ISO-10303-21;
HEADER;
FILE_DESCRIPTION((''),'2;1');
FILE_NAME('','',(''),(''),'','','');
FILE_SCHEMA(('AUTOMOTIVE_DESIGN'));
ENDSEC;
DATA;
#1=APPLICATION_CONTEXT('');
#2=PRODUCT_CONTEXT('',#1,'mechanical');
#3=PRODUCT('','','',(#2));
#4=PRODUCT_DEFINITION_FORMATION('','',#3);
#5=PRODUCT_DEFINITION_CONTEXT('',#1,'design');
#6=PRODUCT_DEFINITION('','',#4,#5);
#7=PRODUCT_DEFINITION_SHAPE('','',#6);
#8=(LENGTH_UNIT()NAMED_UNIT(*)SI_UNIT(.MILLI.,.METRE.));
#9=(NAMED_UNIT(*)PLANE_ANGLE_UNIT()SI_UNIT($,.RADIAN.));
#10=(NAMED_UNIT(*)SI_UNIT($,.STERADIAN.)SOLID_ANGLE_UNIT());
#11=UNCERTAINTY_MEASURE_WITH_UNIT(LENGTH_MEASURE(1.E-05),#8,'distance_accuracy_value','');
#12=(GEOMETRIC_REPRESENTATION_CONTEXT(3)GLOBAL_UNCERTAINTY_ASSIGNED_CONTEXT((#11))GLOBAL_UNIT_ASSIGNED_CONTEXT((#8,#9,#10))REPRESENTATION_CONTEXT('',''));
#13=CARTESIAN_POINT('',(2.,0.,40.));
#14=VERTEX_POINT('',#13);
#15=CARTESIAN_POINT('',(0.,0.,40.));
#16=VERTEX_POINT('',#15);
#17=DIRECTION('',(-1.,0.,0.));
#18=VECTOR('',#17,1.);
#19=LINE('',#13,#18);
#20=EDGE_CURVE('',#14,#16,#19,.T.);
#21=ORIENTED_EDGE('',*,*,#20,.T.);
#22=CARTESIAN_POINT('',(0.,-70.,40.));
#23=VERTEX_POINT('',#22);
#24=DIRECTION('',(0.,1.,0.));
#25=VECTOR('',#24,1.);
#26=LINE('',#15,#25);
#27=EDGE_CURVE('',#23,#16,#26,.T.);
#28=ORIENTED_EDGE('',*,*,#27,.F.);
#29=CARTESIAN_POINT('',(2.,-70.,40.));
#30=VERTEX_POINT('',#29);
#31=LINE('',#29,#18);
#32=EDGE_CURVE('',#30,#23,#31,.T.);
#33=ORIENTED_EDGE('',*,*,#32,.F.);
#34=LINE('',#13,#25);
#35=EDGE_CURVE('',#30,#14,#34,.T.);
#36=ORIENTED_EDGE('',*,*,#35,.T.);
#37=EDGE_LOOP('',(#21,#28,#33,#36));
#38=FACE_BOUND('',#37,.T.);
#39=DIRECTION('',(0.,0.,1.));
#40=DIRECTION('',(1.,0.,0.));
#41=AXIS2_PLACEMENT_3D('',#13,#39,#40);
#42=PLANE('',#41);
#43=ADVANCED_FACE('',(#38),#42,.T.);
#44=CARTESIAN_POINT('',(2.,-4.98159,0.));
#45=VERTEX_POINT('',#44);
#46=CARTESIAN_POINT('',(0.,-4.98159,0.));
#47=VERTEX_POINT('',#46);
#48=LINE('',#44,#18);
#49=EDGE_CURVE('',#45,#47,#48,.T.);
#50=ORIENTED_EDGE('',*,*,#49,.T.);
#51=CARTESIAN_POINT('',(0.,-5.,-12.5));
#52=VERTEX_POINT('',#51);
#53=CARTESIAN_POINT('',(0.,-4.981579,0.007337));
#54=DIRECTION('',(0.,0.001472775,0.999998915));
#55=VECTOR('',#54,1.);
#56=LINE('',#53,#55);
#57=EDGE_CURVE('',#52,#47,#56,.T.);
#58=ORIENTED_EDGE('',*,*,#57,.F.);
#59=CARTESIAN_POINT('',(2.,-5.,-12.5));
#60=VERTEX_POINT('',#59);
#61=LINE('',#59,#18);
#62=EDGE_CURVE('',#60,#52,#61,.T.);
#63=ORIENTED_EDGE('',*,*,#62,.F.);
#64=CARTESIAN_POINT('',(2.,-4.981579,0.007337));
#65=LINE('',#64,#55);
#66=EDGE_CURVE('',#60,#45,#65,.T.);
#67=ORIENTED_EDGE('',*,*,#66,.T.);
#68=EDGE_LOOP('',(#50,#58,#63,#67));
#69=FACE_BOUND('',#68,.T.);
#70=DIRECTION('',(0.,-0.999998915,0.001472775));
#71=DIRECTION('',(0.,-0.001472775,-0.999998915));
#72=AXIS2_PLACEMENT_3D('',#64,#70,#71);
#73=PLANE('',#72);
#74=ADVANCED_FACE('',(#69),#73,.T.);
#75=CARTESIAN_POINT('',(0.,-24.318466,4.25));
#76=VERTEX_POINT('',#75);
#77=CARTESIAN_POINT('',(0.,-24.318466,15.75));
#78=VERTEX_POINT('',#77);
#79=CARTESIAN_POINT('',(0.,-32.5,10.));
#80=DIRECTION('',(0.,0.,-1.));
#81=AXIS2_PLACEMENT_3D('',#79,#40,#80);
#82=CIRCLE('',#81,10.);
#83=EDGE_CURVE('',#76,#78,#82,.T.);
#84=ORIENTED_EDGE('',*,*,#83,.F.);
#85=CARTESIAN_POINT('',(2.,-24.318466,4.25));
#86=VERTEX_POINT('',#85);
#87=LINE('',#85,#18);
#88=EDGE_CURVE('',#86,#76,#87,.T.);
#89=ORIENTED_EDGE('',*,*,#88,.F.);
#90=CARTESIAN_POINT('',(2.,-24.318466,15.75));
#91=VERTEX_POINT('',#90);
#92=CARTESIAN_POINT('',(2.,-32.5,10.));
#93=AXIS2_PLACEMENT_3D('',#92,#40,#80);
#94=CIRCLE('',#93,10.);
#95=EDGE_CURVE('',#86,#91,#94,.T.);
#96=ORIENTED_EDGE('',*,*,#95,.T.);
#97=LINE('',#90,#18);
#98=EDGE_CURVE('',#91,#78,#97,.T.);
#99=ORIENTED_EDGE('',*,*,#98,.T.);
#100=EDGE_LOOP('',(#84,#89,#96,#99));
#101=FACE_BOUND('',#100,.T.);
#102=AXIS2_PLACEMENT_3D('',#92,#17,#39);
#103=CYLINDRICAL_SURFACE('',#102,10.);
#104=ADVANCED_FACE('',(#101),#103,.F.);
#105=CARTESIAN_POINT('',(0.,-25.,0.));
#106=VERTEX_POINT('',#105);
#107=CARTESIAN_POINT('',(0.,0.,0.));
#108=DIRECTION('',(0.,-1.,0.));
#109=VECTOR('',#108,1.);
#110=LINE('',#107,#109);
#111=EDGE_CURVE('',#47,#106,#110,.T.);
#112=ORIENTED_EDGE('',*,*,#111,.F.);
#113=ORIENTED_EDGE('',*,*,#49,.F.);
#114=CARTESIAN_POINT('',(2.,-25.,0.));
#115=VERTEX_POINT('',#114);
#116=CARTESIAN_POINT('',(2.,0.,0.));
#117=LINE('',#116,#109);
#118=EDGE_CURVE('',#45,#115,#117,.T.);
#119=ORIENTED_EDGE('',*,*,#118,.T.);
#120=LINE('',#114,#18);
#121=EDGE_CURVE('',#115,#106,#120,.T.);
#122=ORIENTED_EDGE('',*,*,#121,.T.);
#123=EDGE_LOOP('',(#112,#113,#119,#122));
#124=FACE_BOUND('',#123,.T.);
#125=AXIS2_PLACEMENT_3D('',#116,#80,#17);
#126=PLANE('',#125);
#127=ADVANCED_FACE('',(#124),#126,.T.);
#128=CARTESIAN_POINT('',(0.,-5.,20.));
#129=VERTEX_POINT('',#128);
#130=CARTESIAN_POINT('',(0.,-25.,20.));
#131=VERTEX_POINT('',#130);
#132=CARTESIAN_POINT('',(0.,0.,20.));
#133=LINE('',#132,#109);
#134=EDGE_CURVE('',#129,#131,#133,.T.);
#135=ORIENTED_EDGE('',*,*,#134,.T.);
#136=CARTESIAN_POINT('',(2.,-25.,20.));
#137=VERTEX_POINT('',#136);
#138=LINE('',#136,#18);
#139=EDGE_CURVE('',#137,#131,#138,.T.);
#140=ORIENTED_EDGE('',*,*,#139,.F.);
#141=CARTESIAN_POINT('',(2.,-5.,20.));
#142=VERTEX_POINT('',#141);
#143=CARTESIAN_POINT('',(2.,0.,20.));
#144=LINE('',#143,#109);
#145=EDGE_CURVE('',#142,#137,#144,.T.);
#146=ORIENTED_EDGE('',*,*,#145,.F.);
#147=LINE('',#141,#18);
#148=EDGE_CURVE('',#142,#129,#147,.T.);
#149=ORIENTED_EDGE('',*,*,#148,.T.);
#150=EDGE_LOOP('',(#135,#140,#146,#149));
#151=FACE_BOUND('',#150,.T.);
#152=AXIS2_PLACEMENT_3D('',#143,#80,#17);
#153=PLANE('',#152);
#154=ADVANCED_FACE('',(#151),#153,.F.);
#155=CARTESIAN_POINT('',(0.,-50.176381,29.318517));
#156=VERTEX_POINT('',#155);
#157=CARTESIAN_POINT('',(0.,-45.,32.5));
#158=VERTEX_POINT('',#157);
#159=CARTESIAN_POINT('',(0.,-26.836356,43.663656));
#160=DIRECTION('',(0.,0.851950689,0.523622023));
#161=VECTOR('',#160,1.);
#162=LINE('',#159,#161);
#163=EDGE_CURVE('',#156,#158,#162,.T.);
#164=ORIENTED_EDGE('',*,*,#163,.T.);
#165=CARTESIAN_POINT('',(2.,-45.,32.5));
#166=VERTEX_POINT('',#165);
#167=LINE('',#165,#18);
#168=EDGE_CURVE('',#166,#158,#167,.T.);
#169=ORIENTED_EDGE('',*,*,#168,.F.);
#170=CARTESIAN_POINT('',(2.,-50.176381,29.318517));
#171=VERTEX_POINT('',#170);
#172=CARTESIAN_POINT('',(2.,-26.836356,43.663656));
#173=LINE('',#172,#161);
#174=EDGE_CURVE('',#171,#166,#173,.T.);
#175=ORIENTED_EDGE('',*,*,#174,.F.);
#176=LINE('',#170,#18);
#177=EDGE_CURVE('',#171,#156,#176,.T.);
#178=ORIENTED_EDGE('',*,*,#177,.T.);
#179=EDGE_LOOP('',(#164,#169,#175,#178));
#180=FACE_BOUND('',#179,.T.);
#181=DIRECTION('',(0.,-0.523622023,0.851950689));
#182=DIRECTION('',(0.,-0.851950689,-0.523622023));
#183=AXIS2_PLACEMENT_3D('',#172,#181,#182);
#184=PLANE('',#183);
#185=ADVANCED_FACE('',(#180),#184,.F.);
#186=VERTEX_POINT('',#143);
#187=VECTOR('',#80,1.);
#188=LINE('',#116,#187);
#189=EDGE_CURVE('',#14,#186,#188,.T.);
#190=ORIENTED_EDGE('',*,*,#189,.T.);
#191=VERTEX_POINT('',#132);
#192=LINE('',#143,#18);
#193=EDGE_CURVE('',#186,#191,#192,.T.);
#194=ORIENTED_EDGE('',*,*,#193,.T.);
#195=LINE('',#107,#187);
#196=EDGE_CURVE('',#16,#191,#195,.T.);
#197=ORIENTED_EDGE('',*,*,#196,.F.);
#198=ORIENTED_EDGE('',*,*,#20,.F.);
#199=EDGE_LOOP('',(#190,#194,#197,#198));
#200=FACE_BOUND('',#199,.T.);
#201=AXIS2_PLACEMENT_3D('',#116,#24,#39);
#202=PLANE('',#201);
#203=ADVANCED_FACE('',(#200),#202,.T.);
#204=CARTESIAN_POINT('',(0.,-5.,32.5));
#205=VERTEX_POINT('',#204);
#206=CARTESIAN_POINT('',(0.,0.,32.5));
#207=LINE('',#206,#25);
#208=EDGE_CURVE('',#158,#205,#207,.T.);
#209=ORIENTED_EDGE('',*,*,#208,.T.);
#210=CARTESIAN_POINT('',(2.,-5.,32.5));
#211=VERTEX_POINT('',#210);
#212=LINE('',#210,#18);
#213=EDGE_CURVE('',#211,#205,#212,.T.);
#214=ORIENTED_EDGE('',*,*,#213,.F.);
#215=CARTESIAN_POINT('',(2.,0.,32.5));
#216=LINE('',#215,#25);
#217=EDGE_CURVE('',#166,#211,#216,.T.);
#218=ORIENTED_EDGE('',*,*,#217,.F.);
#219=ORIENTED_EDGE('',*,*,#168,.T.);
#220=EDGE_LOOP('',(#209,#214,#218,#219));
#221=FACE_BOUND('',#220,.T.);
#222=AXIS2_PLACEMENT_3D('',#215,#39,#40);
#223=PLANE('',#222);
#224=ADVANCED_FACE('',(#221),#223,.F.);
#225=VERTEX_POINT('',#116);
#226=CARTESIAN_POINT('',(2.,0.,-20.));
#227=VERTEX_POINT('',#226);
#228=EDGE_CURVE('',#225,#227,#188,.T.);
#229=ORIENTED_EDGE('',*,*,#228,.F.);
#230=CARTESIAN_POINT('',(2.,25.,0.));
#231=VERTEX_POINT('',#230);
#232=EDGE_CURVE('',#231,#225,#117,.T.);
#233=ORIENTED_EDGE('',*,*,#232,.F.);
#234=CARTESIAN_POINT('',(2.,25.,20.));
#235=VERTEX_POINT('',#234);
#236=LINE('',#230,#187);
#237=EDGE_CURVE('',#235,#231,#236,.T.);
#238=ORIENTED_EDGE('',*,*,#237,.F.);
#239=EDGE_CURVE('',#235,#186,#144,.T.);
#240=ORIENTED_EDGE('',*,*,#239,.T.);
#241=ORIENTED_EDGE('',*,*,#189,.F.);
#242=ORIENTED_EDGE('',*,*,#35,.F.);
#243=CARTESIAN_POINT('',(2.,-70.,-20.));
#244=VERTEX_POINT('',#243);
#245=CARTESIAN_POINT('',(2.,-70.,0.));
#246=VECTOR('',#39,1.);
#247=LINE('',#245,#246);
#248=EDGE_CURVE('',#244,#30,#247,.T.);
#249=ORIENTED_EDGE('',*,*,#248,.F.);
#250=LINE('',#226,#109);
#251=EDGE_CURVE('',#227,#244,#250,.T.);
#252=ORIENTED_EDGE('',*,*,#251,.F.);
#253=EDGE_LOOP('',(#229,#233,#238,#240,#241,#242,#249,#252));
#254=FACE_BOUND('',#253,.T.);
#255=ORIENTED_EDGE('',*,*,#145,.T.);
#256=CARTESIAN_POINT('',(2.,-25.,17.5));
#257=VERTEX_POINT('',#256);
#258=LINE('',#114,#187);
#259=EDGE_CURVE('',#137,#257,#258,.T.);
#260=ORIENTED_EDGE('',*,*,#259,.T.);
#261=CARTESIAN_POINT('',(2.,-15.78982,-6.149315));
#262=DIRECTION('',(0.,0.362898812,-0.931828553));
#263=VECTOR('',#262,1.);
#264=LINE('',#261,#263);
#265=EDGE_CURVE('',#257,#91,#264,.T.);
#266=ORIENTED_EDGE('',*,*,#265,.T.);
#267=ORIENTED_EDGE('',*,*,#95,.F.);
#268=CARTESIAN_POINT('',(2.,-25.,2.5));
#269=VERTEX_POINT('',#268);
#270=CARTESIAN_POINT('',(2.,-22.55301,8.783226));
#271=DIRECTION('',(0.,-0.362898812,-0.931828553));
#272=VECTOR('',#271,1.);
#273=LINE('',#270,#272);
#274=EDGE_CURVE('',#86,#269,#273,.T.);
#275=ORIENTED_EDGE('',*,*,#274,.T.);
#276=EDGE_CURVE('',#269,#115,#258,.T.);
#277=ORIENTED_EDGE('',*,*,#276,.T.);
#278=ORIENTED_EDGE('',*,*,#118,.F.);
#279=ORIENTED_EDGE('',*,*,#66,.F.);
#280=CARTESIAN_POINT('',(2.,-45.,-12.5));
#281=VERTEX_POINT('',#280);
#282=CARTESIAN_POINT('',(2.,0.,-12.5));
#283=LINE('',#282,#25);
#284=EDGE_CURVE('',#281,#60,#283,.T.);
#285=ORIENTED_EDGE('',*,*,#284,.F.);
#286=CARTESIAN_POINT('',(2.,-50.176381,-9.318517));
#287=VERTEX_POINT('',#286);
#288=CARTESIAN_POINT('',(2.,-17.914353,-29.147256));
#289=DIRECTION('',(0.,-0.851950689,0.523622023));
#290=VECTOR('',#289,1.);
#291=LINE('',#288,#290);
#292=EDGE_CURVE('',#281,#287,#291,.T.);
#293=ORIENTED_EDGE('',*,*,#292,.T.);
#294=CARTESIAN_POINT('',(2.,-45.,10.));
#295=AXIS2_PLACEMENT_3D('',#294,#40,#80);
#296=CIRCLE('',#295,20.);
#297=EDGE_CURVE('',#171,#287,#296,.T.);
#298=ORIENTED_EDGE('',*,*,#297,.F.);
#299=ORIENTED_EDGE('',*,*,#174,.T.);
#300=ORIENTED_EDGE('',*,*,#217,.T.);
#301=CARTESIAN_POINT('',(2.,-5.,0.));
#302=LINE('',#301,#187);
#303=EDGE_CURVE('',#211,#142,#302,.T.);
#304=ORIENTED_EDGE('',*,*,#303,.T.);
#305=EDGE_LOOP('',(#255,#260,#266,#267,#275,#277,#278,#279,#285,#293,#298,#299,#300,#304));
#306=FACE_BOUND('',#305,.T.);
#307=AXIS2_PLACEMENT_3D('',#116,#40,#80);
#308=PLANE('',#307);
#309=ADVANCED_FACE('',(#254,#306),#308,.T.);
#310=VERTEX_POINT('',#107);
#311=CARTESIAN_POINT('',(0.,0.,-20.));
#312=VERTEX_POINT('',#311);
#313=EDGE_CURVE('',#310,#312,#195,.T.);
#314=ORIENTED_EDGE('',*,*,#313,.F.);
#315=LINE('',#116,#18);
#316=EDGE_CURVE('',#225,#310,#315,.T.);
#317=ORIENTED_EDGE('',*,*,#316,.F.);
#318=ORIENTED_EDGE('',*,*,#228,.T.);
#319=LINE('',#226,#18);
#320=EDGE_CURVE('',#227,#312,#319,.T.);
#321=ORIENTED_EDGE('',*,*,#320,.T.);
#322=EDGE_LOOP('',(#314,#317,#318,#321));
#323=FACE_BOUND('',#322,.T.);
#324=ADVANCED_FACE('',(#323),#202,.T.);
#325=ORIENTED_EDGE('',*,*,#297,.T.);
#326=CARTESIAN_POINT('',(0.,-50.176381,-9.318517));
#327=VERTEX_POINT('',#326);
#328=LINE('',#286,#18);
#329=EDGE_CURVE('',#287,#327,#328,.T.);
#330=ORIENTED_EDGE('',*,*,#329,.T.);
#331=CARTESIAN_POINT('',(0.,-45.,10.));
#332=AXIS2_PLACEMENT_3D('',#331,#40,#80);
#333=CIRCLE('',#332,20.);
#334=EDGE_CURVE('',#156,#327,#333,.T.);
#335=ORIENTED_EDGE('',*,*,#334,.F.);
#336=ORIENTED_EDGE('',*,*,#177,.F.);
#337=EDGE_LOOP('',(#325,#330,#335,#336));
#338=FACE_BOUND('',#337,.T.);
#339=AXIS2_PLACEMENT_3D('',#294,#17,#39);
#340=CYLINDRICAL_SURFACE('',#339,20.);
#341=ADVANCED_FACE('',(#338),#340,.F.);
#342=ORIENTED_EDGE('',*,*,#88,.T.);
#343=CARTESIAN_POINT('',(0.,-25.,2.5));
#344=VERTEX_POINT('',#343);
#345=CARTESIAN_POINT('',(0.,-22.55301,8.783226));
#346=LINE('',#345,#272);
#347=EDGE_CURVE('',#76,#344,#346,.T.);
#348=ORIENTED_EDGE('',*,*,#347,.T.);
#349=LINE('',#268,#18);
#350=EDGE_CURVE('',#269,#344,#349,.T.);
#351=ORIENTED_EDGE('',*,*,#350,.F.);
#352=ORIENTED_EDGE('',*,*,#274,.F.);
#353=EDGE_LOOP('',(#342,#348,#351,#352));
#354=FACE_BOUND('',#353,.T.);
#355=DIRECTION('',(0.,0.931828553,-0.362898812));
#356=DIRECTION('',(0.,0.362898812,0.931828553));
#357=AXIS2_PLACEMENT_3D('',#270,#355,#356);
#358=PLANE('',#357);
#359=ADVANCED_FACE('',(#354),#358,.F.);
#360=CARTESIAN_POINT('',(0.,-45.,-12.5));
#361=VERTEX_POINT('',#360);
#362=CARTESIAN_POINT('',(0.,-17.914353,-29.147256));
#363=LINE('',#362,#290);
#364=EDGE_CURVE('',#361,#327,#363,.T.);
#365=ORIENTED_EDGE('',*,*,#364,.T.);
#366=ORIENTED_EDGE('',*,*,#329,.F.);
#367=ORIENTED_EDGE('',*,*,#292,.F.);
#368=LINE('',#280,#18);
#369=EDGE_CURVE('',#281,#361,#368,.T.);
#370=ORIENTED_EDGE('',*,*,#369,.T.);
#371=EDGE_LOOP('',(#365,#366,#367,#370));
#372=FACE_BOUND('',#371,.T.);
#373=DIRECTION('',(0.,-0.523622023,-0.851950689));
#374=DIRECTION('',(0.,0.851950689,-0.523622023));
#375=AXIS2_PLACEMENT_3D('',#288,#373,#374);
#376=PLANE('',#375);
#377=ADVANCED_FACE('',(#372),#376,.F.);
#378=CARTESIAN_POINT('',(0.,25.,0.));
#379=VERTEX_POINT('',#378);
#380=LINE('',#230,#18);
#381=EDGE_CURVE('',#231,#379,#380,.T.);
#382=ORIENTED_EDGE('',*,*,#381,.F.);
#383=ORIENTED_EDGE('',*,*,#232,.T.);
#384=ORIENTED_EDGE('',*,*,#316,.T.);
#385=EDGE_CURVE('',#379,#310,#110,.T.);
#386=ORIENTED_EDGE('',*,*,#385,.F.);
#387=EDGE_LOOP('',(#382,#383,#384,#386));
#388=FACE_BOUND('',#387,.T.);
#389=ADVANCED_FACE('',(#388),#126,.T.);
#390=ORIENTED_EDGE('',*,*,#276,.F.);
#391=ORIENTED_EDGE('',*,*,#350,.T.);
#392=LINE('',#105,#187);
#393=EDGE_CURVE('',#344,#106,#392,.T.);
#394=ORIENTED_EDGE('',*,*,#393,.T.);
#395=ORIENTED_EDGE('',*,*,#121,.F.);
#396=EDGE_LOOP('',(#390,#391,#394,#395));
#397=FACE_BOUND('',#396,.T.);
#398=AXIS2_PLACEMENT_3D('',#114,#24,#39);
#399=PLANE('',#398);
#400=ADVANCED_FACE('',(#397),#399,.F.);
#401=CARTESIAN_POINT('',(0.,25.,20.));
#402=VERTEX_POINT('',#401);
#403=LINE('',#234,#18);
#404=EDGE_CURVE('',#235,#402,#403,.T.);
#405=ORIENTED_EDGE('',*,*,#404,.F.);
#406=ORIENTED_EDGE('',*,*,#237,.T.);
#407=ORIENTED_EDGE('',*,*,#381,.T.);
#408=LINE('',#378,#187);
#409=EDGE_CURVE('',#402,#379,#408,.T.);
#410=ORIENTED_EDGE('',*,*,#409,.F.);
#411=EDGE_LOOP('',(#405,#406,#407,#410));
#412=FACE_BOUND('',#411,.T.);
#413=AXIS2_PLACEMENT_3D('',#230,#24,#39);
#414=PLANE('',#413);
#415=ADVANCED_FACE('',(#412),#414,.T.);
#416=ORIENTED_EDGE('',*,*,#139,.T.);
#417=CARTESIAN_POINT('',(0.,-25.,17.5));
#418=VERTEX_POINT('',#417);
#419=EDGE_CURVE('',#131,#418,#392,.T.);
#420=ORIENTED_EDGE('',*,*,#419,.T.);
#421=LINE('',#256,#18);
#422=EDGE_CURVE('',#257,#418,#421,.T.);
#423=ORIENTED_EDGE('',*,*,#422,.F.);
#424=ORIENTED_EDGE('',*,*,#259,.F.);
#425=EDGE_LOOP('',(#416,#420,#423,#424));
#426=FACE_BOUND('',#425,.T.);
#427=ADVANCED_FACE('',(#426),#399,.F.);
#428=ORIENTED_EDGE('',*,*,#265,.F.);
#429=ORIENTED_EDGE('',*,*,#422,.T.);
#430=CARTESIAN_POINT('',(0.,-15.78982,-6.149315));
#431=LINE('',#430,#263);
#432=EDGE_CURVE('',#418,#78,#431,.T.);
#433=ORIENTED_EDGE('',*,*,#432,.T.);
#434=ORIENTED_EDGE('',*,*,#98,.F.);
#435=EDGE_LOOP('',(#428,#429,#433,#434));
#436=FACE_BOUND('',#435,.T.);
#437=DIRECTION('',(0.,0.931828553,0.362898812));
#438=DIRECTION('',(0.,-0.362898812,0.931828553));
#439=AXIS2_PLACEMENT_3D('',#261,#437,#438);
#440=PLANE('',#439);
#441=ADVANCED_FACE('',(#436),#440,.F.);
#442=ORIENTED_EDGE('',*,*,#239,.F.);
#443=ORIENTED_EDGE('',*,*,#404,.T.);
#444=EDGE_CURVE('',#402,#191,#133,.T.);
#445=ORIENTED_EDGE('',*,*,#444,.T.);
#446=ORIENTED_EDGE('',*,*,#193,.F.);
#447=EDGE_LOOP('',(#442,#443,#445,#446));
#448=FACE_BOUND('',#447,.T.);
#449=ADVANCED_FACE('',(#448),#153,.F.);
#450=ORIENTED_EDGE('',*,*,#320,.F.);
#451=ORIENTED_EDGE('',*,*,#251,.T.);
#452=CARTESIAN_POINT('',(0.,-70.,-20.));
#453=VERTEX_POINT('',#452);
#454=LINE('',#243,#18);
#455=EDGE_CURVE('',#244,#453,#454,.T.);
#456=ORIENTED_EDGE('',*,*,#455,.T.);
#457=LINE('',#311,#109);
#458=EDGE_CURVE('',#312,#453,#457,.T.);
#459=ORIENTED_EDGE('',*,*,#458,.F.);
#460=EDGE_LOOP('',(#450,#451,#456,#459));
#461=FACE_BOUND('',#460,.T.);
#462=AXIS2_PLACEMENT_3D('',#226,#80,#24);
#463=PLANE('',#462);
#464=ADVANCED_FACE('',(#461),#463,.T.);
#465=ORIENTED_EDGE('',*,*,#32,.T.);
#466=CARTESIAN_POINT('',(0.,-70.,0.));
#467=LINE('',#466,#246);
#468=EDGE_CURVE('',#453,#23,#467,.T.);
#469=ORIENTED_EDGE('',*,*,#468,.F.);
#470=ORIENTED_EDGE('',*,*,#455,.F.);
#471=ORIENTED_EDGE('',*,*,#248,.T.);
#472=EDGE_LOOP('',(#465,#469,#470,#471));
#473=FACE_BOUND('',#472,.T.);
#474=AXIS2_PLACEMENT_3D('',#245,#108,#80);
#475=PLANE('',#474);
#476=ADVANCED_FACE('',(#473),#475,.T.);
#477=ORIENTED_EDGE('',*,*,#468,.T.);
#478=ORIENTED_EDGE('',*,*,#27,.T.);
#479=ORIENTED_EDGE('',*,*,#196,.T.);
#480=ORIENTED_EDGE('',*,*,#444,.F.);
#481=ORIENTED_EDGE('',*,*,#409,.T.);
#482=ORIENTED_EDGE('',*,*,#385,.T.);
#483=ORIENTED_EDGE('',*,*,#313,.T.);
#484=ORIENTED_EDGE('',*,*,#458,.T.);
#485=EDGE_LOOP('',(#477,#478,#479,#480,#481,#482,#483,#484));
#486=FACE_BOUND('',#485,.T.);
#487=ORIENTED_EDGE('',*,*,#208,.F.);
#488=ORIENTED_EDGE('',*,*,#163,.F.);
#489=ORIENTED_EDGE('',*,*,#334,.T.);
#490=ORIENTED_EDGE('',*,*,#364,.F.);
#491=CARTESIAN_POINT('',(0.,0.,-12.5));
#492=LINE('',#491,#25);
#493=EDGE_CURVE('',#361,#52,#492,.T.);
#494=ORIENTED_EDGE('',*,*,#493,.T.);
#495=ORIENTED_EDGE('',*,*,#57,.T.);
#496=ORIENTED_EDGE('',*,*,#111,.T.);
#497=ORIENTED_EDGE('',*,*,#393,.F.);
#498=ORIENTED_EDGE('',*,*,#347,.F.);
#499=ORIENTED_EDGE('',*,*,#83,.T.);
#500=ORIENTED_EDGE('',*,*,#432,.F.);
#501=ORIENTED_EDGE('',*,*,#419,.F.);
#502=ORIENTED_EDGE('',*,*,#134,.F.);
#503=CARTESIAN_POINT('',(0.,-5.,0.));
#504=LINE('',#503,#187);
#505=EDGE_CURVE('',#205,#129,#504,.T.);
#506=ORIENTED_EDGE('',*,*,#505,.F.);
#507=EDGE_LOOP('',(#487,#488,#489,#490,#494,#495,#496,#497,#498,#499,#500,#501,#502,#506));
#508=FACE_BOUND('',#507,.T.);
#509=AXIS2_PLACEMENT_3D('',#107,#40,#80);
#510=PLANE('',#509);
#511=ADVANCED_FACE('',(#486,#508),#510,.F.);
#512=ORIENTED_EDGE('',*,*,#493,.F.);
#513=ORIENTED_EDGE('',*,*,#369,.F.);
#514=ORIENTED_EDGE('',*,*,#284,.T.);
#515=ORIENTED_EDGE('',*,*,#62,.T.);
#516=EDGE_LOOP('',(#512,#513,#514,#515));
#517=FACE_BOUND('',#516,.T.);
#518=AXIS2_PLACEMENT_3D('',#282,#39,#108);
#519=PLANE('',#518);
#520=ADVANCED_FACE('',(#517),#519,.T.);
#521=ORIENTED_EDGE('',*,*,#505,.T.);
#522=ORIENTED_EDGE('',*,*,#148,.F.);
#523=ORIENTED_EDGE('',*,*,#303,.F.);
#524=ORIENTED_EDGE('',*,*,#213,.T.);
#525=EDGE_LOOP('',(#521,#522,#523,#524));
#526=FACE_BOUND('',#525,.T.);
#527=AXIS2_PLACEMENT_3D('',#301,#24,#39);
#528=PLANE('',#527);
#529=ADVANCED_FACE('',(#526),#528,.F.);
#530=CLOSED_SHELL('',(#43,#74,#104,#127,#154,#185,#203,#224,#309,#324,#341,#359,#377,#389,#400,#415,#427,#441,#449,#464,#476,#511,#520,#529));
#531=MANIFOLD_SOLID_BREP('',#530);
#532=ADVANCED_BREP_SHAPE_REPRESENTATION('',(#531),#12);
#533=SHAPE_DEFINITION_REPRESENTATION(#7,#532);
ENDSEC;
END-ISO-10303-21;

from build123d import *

# Parameters (mm, degrees)
BOSS_EXTRUDE1_DEPTH = 2


with BuildPart() as part:
    # Sketch1 → Boss-Extrude1 (new body)
    with BuildSketch(Plane(origin=(0, 0, 0), x_dir=(0, 0, -1), z_dir=(1, 0, 0))):
        Polygon((20, 0), (0, 0), (0, 25), (-20, 25), (-20, 0), (-40, 0), (-40, -70), (20, -70), align=None)
        with BuildLine():
            ThreePointArc((9.318516526, -50.176380902), (-10, -65), (-29.318516526, -50.176380902))
            Line((-29.318516526, -50.176380902), (-32.5, -45))
            Line((-32.5, -45), (-32.5, -5))
            Line((-32.5, -5), (-20, -5))
            Line((-20, -5), (-20, -25))
            Line((-20, -25), (-17.5, -25))
            Line((-17.5, -25), (-15.75, -24.318465914))
            ThreePointArc((-15.75, -24.318465914), (-10, -22.5), (-4.25, -24.318465914))
            Line((-4.25, -24.318465914), (-2.5, -25))
            Line((-2.5, -25), (0, -25))
            Line((0, -25), (0, -4.981590289))
            Line((0, -4.981590289), (12.5, -5))
            Line((12.5, -5), (12.5, -45))
            Line((12.5, -45), (9.318516526, -50.176380902))
        make_face(mode=Mode.SUBTRACT)
    extrude(amount=BOSS_EXTRUDE1_DEPTH)


solid = part.part
